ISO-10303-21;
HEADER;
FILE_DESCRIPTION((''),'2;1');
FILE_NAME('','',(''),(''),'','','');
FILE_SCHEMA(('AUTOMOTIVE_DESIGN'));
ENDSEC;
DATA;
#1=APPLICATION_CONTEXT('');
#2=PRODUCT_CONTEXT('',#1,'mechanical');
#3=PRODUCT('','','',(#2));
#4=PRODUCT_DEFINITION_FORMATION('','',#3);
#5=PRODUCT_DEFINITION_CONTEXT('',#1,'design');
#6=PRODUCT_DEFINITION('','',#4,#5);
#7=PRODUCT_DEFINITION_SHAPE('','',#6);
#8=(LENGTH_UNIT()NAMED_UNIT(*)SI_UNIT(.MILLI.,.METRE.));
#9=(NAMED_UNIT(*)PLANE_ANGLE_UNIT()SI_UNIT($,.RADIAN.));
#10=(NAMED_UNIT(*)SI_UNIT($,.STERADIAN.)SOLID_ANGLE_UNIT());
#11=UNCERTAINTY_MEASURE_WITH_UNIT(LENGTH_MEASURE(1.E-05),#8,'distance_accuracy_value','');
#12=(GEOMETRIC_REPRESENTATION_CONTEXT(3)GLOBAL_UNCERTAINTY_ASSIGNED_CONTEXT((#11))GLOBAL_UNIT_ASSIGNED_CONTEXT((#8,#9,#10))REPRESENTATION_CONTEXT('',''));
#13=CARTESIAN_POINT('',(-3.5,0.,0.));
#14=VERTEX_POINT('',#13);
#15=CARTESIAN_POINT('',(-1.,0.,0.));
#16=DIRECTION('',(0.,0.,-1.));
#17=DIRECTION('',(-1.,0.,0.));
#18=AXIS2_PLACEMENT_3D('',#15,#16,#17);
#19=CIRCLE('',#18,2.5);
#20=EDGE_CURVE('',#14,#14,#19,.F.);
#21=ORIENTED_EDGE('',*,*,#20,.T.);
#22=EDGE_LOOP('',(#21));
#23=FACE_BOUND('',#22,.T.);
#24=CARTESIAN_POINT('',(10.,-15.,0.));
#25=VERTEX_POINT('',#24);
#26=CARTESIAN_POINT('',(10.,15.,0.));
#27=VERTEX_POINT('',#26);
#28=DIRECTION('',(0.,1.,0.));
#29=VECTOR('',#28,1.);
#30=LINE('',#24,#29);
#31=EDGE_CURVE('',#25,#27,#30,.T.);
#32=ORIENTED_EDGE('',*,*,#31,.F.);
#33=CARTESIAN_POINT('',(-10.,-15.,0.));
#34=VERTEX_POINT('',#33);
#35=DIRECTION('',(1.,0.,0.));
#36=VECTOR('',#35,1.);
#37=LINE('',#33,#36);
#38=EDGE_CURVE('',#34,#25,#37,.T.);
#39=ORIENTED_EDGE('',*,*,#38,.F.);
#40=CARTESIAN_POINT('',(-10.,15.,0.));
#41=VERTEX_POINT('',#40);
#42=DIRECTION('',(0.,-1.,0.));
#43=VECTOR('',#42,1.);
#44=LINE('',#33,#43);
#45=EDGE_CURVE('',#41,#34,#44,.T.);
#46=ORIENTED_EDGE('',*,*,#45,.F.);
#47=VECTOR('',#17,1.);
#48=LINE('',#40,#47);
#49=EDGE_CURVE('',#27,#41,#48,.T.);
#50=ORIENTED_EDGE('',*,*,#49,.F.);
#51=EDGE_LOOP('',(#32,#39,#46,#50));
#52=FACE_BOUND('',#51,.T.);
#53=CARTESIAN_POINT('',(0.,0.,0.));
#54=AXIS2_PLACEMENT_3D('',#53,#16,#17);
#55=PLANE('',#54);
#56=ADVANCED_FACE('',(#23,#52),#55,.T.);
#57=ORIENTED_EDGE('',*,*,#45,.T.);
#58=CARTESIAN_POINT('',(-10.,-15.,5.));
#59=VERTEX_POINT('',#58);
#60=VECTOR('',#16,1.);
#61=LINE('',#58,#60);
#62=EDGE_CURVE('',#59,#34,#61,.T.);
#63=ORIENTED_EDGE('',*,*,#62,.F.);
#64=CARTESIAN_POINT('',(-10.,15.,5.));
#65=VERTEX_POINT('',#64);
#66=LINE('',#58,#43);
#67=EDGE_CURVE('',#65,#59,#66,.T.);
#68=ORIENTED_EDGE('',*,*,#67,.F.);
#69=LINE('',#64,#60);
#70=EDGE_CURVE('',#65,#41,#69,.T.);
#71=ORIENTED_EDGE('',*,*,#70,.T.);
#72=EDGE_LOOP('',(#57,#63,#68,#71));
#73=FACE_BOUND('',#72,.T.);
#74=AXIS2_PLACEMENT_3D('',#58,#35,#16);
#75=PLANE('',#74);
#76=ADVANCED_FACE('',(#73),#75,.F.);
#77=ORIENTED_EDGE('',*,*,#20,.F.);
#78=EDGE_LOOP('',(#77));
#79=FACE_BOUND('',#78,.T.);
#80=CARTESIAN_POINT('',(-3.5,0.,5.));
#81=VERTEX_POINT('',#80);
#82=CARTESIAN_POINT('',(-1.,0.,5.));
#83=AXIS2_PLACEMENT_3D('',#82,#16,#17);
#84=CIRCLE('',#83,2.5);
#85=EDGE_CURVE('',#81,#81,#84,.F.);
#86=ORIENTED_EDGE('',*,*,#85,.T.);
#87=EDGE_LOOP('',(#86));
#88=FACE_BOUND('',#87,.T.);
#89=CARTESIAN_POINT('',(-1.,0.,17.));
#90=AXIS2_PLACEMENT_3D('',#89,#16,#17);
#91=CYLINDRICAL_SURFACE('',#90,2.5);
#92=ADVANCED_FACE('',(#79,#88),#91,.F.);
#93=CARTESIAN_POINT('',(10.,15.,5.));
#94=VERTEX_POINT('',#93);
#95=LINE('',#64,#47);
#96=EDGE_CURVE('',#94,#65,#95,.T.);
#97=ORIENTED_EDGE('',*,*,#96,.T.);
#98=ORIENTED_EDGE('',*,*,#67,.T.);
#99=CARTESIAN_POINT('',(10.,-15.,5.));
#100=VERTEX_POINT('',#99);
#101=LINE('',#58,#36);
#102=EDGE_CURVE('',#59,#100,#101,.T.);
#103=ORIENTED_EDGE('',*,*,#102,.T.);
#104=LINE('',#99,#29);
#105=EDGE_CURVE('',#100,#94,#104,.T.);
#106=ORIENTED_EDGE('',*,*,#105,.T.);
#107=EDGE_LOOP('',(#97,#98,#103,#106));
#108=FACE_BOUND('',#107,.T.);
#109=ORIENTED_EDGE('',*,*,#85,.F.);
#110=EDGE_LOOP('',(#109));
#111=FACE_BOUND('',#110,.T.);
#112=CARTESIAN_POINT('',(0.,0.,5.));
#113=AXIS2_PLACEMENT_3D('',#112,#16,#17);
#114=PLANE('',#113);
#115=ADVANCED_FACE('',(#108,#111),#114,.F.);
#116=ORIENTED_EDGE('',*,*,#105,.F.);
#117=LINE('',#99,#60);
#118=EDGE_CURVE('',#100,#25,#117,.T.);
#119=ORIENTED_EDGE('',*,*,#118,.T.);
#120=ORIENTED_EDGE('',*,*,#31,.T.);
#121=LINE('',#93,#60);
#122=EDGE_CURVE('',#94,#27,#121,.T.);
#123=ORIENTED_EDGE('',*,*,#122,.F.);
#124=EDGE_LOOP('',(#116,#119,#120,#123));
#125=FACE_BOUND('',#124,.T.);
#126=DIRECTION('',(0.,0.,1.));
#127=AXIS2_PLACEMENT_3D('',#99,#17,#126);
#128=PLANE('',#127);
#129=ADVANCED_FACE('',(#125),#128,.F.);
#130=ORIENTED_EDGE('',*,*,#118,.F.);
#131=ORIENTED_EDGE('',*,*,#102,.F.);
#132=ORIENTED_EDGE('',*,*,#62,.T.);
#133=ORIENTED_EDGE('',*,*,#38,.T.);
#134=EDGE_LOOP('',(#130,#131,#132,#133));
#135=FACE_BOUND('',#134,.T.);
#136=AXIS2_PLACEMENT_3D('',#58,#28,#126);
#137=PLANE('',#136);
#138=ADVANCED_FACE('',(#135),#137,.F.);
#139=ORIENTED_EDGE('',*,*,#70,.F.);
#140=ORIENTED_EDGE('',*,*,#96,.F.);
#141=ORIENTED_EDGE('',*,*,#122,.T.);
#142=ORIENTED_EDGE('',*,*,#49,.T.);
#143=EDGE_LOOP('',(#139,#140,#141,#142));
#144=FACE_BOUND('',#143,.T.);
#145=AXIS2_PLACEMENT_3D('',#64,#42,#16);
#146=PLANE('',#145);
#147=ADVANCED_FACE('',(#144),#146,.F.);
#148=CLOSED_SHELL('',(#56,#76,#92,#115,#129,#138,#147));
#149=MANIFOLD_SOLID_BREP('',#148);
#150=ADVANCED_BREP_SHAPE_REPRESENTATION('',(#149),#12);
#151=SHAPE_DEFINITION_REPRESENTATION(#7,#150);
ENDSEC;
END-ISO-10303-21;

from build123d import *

# Parameters (mm, degrees)
SKETCH1_W               = 20
SKETCH1_H               = 30
BOSS_EXTRUDE1_DEPTH     = 5
CUT_EXTRUDE1_DEPTH      = 12
CUT_EXTRUDE1_DEPTH_BACK = 9
SKETCH2_R               = 2.5


with BuildPart() as part:
    # Sketch1 → Boss-Extrude1 (new body)
    with BuildSketch(Plane.XY):
        Rectangle(SKETCH1_W, SKETCH1_H)
    extrude(amount=BOSS_EXTRUDE1_DEPTH)

    # Sketch2 → Cut-Extrude1 (cut, two sides: drawn at the far end of the back side and taken through both)
    with BuildSketch(Plane.XY.offset(5).offset(-CUT_EXTRUDE1_DEPTH_BACK)):
        with Locations(Location((-1, 0, 0), (0, 0, 180))):
            Circle(SKETCH2_R)
    extrude(amount=CUT_EXTRUDE1_DEPTH + CUT_EXTRUDE1_DEPTH_BACK, mode=Mode.SUBTRACT)


solid = part.part
